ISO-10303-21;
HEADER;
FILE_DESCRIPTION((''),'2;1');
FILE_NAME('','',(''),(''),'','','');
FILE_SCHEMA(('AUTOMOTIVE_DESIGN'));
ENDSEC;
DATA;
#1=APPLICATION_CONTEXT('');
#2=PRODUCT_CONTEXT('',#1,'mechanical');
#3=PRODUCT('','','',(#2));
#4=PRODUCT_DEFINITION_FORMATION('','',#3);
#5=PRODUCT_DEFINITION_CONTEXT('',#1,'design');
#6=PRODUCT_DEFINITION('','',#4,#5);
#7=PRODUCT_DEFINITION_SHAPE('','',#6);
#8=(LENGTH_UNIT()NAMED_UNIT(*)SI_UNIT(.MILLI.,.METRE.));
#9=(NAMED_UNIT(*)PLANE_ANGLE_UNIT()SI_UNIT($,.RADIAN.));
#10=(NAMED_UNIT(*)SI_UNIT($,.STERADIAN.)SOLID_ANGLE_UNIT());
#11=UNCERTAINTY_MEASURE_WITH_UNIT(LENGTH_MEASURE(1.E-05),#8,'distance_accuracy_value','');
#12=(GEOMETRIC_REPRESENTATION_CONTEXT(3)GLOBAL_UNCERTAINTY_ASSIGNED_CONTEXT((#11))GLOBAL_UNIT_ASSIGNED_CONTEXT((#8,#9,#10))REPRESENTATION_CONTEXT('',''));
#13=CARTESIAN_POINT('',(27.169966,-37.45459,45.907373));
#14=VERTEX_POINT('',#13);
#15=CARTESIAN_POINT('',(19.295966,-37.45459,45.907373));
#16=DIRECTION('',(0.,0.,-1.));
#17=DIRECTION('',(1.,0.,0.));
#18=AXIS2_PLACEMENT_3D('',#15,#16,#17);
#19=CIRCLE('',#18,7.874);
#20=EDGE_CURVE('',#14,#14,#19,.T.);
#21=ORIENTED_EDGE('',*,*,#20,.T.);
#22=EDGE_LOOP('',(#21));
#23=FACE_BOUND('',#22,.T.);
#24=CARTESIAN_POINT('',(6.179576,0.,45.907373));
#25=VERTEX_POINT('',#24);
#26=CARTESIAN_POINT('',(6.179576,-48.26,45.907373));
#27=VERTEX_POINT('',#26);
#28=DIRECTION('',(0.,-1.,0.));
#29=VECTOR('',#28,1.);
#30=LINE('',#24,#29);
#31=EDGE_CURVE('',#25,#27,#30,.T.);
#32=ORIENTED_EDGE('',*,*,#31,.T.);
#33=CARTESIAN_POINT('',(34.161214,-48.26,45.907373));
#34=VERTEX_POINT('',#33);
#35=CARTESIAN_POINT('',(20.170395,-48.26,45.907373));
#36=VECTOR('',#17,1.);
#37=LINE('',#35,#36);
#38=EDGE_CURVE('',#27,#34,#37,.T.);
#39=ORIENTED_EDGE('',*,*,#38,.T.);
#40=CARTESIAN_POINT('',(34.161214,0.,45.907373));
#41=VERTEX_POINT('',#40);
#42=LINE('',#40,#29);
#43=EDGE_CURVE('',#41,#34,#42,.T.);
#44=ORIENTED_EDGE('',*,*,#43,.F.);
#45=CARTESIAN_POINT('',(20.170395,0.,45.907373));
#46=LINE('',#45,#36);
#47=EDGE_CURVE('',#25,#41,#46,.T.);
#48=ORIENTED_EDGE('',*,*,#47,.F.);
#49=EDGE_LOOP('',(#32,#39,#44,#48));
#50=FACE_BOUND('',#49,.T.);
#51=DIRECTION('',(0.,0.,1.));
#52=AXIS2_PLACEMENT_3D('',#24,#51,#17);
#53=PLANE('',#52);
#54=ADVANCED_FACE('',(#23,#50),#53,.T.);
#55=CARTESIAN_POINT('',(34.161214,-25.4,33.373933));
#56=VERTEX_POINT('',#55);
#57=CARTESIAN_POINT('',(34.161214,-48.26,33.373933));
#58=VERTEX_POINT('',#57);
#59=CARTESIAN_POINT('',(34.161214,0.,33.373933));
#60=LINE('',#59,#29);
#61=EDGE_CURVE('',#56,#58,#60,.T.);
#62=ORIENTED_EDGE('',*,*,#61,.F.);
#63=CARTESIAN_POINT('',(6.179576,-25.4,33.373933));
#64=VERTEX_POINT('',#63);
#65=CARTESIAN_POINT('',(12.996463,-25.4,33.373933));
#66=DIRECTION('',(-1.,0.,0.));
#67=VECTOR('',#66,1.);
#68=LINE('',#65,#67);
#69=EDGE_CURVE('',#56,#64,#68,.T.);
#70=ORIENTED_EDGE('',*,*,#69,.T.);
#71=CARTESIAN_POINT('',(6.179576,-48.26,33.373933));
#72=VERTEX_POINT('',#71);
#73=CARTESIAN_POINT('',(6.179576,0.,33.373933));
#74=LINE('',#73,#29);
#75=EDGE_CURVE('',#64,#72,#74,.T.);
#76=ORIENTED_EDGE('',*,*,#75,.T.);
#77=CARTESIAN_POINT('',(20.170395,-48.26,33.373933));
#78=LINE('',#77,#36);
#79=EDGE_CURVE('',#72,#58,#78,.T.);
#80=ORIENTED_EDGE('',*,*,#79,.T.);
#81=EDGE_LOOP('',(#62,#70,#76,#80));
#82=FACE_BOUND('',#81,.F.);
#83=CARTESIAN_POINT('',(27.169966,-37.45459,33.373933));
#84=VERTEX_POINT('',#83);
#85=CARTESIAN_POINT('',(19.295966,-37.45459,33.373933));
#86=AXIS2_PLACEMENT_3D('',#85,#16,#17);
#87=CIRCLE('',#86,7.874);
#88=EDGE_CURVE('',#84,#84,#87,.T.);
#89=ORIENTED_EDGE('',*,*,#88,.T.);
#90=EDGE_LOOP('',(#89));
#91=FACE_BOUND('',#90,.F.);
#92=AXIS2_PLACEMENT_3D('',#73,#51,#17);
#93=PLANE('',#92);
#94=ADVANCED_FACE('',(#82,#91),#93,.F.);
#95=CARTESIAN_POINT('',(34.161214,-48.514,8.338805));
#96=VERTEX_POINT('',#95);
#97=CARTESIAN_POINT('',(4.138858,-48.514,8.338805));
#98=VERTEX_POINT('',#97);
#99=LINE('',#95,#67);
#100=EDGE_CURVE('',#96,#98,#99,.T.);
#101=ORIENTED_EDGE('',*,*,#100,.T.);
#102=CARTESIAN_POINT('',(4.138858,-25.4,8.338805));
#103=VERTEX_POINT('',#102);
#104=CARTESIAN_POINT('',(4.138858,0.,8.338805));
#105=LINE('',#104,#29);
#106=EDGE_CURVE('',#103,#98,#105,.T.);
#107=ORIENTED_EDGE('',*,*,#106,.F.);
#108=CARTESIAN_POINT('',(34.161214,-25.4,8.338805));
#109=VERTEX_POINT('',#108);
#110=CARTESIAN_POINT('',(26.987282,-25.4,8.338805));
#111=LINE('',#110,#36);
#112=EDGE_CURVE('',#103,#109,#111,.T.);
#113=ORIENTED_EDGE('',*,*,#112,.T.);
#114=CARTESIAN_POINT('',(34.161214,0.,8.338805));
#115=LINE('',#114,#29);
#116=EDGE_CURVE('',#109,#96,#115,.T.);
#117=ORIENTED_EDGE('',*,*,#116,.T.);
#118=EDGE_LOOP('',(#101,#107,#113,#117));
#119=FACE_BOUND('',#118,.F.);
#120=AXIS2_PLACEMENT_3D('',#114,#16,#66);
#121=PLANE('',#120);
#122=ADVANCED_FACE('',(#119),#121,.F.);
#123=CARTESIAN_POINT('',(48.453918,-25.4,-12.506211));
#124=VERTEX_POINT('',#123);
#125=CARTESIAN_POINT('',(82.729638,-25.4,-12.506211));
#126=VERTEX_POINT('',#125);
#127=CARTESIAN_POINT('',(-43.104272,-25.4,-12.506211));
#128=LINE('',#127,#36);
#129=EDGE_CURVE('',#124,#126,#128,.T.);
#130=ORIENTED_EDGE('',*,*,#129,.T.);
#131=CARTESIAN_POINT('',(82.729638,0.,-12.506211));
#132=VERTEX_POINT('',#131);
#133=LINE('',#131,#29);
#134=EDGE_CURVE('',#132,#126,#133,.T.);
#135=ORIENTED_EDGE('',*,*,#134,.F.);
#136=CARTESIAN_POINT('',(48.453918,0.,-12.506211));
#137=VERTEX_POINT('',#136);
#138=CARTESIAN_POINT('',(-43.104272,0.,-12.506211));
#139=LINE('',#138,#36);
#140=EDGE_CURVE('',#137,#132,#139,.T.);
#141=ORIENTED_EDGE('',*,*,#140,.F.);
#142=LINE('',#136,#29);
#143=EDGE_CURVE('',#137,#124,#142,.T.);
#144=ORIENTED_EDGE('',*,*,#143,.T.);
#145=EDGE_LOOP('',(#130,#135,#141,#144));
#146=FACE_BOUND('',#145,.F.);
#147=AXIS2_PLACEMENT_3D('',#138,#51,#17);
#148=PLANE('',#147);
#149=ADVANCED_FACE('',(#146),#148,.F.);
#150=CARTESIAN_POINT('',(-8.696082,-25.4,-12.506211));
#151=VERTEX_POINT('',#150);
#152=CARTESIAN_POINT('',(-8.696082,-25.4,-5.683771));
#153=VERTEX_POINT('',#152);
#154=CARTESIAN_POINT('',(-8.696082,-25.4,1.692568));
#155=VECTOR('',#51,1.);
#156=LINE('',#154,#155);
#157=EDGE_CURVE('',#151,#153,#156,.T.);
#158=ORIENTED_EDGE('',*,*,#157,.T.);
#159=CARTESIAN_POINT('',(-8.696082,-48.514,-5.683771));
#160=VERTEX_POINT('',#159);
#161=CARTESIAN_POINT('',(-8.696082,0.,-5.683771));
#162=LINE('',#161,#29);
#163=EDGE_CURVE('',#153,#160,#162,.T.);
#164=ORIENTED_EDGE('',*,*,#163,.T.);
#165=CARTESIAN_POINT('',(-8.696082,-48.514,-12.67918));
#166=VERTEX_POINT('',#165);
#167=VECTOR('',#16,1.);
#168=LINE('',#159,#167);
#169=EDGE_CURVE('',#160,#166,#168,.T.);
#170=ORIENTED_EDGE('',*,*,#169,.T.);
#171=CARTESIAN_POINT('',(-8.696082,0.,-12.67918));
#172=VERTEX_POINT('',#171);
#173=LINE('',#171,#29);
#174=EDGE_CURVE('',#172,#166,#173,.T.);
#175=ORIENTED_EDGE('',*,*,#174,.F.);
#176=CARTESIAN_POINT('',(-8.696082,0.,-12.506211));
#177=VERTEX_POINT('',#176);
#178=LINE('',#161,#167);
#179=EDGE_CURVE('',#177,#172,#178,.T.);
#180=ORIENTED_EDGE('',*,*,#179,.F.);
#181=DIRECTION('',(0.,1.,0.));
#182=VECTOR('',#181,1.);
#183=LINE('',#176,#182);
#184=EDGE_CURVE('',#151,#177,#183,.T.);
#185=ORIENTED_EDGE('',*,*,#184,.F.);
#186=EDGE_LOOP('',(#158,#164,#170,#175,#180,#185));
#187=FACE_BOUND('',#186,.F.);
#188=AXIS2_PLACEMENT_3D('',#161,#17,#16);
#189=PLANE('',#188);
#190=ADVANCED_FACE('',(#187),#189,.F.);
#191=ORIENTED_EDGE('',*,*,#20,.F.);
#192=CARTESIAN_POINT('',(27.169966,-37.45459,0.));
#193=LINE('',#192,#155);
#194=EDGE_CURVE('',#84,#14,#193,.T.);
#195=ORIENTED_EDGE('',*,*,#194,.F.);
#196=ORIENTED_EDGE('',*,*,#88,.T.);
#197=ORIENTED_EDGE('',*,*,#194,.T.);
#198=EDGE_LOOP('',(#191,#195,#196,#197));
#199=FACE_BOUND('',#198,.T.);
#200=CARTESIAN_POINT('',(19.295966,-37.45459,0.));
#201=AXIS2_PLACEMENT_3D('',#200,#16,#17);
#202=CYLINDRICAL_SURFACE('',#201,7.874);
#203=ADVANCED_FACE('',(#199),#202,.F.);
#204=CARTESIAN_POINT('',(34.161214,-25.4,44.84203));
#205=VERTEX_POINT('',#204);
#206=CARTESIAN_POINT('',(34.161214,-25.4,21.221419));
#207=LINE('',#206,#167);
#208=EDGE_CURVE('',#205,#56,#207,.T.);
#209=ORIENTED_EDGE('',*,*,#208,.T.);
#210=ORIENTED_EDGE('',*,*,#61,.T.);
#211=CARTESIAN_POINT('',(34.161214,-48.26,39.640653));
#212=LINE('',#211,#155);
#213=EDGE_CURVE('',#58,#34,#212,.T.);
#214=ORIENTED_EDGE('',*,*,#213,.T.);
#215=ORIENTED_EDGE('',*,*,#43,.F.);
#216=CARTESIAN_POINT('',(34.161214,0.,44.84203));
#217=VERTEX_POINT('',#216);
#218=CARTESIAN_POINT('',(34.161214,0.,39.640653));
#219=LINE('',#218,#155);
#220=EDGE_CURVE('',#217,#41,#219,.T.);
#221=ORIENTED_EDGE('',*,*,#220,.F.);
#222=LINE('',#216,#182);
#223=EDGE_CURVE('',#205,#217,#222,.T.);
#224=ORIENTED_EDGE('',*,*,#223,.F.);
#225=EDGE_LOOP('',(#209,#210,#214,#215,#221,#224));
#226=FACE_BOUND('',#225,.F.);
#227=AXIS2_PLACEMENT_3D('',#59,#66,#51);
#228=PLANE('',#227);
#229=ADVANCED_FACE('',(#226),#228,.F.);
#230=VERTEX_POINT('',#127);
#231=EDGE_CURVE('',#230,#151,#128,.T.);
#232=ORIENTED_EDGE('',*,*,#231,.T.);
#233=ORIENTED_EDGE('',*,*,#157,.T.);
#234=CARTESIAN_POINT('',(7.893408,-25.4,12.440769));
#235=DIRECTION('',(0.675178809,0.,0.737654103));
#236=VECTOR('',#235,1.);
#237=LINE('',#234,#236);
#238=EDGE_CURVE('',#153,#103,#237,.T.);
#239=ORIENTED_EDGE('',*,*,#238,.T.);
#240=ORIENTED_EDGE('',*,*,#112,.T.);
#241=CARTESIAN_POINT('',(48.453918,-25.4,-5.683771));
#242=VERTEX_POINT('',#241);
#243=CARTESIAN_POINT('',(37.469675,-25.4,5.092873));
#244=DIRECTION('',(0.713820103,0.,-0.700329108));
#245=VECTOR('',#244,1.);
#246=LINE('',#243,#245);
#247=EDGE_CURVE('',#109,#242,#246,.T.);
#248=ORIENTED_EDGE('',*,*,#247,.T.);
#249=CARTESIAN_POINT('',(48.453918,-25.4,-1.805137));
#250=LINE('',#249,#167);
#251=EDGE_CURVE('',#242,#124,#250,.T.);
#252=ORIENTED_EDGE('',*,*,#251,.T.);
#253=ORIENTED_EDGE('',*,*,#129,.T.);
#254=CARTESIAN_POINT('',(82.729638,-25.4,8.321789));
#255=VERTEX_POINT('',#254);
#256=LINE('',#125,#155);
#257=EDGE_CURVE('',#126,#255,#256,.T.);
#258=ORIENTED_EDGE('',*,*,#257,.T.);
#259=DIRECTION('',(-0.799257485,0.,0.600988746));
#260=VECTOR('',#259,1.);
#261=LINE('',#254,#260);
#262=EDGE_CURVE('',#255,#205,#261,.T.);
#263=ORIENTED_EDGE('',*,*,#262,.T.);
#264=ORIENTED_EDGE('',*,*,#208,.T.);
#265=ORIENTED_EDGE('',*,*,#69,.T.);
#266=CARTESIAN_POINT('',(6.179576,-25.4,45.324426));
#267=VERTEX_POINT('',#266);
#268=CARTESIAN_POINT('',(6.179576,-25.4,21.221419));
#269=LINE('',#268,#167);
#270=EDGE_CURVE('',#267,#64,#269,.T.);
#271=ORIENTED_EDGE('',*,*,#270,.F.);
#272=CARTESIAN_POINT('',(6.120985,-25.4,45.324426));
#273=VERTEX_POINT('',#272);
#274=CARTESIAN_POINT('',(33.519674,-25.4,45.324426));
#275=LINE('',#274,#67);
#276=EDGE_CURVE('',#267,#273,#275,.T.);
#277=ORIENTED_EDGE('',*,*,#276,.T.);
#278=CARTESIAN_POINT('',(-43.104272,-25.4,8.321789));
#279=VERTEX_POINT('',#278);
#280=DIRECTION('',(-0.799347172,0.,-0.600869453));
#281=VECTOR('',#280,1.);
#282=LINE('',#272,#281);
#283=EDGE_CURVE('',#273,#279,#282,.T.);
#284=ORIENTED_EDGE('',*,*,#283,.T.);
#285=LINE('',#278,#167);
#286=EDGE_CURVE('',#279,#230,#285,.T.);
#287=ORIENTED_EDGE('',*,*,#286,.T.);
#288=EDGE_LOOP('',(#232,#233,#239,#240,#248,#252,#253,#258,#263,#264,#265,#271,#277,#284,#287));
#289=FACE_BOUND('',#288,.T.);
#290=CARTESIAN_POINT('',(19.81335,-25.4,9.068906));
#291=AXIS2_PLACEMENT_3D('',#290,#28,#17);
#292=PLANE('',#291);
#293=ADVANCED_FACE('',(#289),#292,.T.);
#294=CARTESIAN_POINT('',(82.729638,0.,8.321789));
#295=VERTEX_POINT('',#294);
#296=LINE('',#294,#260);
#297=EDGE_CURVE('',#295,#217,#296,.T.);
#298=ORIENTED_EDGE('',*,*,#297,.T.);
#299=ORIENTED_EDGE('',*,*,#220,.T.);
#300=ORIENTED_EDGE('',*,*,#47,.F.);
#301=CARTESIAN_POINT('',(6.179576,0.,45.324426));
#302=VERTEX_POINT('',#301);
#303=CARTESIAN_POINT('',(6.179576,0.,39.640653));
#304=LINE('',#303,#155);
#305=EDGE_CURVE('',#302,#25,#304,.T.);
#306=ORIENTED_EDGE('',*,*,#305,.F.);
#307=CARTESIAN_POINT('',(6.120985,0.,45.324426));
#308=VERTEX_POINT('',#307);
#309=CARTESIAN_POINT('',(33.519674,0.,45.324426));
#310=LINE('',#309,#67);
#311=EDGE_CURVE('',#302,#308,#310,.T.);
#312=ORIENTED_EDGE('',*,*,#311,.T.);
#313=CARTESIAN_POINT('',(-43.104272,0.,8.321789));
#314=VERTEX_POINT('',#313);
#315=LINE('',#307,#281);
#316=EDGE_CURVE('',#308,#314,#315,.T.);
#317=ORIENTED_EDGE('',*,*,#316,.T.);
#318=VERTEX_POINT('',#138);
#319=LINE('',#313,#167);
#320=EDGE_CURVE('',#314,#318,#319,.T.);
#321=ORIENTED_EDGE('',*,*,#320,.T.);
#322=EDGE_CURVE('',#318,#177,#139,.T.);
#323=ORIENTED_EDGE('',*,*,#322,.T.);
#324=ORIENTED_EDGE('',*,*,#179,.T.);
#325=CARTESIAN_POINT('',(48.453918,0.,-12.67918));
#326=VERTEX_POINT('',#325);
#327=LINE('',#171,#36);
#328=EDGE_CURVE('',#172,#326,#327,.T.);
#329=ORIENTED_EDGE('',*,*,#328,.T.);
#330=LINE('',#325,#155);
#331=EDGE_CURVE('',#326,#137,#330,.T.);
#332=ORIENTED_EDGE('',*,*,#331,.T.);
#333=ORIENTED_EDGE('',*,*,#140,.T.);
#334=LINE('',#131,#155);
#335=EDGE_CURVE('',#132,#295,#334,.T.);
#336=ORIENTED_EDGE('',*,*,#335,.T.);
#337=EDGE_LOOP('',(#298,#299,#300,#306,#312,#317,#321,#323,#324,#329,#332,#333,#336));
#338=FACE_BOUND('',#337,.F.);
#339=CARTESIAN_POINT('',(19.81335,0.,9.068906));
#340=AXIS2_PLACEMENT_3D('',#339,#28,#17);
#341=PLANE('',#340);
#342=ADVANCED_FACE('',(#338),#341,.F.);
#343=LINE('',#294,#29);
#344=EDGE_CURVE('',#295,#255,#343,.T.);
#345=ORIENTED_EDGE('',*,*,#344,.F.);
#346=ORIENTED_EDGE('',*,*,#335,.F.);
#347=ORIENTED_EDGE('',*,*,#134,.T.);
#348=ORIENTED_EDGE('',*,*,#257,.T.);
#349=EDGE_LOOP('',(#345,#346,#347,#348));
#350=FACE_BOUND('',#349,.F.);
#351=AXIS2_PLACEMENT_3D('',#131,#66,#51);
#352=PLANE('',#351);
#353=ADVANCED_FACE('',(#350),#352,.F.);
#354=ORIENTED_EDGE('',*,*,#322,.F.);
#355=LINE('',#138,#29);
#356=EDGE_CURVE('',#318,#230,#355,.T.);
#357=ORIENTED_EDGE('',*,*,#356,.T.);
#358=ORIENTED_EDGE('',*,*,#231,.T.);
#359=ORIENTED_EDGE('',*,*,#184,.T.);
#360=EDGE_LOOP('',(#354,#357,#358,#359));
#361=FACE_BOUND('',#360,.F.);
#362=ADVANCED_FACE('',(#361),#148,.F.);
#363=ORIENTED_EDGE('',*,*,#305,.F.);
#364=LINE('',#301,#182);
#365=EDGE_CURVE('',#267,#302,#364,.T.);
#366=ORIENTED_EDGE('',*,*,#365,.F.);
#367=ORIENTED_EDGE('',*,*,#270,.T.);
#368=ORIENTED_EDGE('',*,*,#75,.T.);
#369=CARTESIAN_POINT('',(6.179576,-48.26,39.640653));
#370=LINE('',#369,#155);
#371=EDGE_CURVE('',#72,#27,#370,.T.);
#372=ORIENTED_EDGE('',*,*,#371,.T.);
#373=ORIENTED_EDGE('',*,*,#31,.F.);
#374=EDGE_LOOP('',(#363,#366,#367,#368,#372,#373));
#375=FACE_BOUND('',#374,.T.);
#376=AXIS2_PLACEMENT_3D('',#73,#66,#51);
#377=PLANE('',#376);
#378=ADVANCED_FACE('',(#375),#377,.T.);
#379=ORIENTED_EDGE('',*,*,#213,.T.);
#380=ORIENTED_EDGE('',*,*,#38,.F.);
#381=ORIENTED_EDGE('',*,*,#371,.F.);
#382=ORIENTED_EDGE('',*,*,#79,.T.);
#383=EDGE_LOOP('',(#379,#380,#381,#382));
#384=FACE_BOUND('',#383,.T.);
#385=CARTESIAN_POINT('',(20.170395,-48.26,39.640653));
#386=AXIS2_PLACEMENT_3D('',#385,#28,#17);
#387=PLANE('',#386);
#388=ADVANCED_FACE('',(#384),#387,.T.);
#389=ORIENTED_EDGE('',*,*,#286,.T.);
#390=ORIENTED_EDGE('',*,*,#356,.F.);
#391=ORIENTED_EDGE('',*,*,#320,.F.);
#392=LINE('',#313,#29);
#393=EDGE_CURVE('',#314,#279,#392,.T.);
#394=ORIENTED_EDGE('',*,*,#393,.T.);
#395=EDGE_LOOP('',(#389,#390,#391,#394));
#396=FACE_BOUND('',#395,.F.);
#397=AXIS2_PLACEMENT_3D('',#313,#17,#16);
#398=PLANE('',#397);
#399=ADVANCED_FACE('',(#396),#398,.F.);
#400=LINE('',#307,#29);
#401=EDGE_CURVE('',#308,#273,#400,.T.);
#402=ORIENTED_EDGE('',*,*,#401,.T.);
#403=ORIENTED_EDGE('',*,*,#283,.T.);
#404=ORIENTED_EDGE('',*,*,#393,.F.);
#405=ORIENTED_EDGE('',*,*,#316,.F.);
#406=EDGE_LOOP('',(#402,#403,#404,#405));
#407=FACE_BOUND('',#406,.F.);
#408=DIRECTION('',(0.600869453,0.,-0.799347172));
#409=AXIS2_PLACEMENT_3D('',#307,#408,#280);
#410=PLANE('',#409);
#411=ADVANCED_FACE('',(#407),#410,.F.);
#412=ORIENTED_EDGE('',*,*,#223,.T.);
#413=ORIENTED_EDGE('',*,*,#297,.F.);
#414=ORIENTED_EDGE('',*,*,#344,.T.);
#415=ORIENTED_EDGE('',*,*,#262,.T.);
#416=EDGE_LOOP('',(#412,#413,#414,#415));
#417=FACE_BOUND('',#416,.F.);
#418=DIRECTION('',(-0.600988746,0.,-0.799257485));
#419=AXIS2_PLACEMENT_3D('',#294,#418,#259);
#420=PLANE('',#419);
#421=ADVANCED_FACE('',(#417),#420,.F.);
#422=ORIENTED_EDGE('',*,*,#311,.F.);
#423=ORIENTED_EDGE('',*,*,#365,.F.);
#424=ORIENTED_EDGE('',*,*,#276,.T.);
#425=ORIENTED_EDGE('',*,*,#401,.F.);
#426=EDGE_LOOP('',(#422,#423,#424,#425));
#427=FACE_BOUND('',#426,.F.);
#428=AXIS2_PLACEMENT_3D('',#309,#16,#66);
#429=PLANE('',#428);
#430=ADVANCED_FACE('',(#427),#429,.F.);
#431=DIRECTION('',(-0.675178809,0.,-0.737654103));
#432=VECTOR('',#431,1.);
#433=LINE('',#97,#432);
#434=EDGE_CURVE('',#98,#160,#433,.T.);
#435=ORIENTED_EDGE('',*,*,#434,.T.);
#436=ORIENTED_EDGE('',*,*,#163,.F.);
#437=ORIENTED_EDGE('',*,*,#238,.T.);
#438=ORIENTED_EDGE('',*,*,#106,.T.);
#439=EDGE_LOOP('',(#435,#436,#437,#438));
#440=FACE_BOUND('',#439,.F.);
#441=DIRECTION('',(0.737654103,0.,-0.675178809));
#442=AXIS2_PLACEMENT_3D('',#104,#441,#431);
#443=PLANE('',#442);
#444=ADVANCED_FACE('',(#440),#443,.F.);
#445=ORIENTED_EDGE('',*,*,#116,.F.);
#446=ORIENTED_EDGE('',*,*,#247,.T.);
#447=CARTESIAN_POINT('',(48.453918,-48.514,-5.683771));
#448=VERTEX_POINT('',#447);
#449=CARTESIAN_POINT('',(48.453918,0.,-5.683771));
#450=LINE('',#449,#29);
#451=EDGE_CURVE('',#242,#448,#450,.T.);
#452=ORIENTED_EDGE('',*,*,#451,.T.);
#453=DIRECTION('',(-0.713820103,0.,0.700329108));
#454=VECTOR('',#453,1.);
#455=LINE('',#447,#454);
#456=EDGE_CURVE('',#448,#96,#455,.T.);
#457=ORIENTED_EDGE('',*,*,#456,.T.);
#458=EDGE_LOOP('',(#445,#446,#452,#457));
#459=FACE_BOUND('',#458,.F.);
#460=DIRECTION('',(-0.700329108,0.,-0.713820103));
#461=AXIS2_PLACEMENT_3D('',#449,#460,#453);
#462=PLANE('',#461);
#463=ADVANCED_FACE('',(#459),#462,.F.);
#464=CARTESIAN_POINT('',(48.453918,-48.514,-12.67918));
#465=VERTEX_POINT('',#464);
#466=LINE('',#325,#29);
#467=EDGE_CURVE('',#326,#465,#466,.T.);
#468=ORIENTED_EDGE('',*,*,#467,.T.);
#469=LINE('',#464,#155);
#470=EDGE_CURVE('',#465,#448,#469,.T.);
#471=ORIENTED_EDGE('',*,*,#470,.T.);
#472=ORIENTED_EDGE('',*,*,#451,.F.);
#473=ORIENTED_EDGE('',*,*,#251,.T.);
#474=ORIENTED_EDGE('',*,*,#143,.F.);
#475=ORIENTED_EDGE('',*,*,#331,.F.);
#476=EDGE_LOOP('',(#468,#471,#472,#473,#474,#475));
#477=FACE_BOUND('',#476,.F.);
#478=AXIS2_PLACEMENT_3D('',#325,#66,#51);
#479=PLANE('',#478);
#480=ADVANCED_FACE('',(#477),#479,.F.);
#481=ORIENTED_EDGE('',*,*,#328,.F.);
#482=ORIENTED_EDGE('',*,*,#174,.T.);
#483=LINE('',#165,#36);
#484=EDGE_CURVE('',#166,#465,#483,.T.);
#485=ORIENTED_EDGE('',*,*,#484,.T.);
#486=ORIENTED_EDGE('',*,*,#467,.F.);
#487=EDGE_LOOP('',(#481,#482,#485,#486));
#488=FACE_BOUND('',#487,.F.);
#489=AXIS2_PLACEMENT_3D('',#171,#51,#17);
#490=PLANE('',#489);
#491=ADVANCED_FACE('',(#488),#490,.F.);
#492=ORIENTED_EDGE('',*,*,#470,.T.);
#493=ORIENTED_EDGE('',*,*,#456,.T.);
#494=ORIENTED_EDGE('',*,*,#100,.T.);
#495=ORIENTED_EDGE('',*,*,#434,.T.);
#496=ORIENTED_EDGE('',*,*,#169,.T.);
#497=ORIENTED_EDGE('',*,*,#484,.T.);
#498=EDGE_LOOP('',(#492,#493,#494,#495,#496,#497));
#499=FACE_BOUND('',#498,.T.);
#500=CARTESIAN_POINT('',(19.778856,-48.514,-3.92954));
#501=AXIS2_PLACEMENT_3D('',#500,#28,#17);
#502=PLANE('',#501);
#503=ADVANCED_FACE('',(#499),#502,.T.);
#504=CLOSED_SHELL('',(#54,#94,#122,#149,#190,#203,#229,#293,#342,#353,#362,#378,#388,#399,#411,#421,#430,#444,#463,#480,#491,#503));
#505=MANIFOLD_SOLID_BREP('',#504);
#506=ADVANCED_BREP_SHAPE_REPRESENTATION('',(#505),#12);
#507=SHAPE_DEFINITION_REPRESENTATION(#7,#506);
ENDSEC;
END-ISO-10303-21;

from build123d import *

# Parameters (mm, degrees)
F1_DEPTH = 25.4
F2_W     = 27.981639
F2_H     = 12.533441
F3_DEPTH = 48.26
F4_R     = 7.874
F5_DEPTH = 52.324
F7_DEPTH = 48.514


with BuildPart() as f1:
    # F0 (on Front) → F1 (new body)
    with BuildSketch(Plane.XZ):
        Polygon((6.120985, 45.324426), (-43.104272, 8.321789), (-43.104272, -12.506211), (82.729638, -12.506211), (82.729638, 8.321789), (33.519674, 45.324426), align=None)
    extrude(amount=F1_DEPTH)

    # F2 (on Front) → F3 (join)
    with BuildSketch(Plane.XZ):
        with Locations((20.170395, 39.640653)):
            Rectangle(F2_W, F2_H)
    extrude(amount=F3_DEPTH)

    # F4 (on Top) → F5 (cut)
    with BuildSketch(Plane.XY):
        with Locations((19.295966, -37.45459)):
            Circle(F4_R)
    extrude(amount=F5_DEPTH, mode=Mode.SUBTRACT)

    # F6 (on Front) → F7 (join)
    with BuildSketch(Plane.XZ):
        Polygon((-8.696082, -5.683771), (-8.696082, -12.67918), (48.453918, -12.67918), (48.453918, -5.683771), (34.161214, 8.338805), (4.138858, 8.338805), align=None)
    extrude(amount=F7_DEPTH)


solid = f1.part
